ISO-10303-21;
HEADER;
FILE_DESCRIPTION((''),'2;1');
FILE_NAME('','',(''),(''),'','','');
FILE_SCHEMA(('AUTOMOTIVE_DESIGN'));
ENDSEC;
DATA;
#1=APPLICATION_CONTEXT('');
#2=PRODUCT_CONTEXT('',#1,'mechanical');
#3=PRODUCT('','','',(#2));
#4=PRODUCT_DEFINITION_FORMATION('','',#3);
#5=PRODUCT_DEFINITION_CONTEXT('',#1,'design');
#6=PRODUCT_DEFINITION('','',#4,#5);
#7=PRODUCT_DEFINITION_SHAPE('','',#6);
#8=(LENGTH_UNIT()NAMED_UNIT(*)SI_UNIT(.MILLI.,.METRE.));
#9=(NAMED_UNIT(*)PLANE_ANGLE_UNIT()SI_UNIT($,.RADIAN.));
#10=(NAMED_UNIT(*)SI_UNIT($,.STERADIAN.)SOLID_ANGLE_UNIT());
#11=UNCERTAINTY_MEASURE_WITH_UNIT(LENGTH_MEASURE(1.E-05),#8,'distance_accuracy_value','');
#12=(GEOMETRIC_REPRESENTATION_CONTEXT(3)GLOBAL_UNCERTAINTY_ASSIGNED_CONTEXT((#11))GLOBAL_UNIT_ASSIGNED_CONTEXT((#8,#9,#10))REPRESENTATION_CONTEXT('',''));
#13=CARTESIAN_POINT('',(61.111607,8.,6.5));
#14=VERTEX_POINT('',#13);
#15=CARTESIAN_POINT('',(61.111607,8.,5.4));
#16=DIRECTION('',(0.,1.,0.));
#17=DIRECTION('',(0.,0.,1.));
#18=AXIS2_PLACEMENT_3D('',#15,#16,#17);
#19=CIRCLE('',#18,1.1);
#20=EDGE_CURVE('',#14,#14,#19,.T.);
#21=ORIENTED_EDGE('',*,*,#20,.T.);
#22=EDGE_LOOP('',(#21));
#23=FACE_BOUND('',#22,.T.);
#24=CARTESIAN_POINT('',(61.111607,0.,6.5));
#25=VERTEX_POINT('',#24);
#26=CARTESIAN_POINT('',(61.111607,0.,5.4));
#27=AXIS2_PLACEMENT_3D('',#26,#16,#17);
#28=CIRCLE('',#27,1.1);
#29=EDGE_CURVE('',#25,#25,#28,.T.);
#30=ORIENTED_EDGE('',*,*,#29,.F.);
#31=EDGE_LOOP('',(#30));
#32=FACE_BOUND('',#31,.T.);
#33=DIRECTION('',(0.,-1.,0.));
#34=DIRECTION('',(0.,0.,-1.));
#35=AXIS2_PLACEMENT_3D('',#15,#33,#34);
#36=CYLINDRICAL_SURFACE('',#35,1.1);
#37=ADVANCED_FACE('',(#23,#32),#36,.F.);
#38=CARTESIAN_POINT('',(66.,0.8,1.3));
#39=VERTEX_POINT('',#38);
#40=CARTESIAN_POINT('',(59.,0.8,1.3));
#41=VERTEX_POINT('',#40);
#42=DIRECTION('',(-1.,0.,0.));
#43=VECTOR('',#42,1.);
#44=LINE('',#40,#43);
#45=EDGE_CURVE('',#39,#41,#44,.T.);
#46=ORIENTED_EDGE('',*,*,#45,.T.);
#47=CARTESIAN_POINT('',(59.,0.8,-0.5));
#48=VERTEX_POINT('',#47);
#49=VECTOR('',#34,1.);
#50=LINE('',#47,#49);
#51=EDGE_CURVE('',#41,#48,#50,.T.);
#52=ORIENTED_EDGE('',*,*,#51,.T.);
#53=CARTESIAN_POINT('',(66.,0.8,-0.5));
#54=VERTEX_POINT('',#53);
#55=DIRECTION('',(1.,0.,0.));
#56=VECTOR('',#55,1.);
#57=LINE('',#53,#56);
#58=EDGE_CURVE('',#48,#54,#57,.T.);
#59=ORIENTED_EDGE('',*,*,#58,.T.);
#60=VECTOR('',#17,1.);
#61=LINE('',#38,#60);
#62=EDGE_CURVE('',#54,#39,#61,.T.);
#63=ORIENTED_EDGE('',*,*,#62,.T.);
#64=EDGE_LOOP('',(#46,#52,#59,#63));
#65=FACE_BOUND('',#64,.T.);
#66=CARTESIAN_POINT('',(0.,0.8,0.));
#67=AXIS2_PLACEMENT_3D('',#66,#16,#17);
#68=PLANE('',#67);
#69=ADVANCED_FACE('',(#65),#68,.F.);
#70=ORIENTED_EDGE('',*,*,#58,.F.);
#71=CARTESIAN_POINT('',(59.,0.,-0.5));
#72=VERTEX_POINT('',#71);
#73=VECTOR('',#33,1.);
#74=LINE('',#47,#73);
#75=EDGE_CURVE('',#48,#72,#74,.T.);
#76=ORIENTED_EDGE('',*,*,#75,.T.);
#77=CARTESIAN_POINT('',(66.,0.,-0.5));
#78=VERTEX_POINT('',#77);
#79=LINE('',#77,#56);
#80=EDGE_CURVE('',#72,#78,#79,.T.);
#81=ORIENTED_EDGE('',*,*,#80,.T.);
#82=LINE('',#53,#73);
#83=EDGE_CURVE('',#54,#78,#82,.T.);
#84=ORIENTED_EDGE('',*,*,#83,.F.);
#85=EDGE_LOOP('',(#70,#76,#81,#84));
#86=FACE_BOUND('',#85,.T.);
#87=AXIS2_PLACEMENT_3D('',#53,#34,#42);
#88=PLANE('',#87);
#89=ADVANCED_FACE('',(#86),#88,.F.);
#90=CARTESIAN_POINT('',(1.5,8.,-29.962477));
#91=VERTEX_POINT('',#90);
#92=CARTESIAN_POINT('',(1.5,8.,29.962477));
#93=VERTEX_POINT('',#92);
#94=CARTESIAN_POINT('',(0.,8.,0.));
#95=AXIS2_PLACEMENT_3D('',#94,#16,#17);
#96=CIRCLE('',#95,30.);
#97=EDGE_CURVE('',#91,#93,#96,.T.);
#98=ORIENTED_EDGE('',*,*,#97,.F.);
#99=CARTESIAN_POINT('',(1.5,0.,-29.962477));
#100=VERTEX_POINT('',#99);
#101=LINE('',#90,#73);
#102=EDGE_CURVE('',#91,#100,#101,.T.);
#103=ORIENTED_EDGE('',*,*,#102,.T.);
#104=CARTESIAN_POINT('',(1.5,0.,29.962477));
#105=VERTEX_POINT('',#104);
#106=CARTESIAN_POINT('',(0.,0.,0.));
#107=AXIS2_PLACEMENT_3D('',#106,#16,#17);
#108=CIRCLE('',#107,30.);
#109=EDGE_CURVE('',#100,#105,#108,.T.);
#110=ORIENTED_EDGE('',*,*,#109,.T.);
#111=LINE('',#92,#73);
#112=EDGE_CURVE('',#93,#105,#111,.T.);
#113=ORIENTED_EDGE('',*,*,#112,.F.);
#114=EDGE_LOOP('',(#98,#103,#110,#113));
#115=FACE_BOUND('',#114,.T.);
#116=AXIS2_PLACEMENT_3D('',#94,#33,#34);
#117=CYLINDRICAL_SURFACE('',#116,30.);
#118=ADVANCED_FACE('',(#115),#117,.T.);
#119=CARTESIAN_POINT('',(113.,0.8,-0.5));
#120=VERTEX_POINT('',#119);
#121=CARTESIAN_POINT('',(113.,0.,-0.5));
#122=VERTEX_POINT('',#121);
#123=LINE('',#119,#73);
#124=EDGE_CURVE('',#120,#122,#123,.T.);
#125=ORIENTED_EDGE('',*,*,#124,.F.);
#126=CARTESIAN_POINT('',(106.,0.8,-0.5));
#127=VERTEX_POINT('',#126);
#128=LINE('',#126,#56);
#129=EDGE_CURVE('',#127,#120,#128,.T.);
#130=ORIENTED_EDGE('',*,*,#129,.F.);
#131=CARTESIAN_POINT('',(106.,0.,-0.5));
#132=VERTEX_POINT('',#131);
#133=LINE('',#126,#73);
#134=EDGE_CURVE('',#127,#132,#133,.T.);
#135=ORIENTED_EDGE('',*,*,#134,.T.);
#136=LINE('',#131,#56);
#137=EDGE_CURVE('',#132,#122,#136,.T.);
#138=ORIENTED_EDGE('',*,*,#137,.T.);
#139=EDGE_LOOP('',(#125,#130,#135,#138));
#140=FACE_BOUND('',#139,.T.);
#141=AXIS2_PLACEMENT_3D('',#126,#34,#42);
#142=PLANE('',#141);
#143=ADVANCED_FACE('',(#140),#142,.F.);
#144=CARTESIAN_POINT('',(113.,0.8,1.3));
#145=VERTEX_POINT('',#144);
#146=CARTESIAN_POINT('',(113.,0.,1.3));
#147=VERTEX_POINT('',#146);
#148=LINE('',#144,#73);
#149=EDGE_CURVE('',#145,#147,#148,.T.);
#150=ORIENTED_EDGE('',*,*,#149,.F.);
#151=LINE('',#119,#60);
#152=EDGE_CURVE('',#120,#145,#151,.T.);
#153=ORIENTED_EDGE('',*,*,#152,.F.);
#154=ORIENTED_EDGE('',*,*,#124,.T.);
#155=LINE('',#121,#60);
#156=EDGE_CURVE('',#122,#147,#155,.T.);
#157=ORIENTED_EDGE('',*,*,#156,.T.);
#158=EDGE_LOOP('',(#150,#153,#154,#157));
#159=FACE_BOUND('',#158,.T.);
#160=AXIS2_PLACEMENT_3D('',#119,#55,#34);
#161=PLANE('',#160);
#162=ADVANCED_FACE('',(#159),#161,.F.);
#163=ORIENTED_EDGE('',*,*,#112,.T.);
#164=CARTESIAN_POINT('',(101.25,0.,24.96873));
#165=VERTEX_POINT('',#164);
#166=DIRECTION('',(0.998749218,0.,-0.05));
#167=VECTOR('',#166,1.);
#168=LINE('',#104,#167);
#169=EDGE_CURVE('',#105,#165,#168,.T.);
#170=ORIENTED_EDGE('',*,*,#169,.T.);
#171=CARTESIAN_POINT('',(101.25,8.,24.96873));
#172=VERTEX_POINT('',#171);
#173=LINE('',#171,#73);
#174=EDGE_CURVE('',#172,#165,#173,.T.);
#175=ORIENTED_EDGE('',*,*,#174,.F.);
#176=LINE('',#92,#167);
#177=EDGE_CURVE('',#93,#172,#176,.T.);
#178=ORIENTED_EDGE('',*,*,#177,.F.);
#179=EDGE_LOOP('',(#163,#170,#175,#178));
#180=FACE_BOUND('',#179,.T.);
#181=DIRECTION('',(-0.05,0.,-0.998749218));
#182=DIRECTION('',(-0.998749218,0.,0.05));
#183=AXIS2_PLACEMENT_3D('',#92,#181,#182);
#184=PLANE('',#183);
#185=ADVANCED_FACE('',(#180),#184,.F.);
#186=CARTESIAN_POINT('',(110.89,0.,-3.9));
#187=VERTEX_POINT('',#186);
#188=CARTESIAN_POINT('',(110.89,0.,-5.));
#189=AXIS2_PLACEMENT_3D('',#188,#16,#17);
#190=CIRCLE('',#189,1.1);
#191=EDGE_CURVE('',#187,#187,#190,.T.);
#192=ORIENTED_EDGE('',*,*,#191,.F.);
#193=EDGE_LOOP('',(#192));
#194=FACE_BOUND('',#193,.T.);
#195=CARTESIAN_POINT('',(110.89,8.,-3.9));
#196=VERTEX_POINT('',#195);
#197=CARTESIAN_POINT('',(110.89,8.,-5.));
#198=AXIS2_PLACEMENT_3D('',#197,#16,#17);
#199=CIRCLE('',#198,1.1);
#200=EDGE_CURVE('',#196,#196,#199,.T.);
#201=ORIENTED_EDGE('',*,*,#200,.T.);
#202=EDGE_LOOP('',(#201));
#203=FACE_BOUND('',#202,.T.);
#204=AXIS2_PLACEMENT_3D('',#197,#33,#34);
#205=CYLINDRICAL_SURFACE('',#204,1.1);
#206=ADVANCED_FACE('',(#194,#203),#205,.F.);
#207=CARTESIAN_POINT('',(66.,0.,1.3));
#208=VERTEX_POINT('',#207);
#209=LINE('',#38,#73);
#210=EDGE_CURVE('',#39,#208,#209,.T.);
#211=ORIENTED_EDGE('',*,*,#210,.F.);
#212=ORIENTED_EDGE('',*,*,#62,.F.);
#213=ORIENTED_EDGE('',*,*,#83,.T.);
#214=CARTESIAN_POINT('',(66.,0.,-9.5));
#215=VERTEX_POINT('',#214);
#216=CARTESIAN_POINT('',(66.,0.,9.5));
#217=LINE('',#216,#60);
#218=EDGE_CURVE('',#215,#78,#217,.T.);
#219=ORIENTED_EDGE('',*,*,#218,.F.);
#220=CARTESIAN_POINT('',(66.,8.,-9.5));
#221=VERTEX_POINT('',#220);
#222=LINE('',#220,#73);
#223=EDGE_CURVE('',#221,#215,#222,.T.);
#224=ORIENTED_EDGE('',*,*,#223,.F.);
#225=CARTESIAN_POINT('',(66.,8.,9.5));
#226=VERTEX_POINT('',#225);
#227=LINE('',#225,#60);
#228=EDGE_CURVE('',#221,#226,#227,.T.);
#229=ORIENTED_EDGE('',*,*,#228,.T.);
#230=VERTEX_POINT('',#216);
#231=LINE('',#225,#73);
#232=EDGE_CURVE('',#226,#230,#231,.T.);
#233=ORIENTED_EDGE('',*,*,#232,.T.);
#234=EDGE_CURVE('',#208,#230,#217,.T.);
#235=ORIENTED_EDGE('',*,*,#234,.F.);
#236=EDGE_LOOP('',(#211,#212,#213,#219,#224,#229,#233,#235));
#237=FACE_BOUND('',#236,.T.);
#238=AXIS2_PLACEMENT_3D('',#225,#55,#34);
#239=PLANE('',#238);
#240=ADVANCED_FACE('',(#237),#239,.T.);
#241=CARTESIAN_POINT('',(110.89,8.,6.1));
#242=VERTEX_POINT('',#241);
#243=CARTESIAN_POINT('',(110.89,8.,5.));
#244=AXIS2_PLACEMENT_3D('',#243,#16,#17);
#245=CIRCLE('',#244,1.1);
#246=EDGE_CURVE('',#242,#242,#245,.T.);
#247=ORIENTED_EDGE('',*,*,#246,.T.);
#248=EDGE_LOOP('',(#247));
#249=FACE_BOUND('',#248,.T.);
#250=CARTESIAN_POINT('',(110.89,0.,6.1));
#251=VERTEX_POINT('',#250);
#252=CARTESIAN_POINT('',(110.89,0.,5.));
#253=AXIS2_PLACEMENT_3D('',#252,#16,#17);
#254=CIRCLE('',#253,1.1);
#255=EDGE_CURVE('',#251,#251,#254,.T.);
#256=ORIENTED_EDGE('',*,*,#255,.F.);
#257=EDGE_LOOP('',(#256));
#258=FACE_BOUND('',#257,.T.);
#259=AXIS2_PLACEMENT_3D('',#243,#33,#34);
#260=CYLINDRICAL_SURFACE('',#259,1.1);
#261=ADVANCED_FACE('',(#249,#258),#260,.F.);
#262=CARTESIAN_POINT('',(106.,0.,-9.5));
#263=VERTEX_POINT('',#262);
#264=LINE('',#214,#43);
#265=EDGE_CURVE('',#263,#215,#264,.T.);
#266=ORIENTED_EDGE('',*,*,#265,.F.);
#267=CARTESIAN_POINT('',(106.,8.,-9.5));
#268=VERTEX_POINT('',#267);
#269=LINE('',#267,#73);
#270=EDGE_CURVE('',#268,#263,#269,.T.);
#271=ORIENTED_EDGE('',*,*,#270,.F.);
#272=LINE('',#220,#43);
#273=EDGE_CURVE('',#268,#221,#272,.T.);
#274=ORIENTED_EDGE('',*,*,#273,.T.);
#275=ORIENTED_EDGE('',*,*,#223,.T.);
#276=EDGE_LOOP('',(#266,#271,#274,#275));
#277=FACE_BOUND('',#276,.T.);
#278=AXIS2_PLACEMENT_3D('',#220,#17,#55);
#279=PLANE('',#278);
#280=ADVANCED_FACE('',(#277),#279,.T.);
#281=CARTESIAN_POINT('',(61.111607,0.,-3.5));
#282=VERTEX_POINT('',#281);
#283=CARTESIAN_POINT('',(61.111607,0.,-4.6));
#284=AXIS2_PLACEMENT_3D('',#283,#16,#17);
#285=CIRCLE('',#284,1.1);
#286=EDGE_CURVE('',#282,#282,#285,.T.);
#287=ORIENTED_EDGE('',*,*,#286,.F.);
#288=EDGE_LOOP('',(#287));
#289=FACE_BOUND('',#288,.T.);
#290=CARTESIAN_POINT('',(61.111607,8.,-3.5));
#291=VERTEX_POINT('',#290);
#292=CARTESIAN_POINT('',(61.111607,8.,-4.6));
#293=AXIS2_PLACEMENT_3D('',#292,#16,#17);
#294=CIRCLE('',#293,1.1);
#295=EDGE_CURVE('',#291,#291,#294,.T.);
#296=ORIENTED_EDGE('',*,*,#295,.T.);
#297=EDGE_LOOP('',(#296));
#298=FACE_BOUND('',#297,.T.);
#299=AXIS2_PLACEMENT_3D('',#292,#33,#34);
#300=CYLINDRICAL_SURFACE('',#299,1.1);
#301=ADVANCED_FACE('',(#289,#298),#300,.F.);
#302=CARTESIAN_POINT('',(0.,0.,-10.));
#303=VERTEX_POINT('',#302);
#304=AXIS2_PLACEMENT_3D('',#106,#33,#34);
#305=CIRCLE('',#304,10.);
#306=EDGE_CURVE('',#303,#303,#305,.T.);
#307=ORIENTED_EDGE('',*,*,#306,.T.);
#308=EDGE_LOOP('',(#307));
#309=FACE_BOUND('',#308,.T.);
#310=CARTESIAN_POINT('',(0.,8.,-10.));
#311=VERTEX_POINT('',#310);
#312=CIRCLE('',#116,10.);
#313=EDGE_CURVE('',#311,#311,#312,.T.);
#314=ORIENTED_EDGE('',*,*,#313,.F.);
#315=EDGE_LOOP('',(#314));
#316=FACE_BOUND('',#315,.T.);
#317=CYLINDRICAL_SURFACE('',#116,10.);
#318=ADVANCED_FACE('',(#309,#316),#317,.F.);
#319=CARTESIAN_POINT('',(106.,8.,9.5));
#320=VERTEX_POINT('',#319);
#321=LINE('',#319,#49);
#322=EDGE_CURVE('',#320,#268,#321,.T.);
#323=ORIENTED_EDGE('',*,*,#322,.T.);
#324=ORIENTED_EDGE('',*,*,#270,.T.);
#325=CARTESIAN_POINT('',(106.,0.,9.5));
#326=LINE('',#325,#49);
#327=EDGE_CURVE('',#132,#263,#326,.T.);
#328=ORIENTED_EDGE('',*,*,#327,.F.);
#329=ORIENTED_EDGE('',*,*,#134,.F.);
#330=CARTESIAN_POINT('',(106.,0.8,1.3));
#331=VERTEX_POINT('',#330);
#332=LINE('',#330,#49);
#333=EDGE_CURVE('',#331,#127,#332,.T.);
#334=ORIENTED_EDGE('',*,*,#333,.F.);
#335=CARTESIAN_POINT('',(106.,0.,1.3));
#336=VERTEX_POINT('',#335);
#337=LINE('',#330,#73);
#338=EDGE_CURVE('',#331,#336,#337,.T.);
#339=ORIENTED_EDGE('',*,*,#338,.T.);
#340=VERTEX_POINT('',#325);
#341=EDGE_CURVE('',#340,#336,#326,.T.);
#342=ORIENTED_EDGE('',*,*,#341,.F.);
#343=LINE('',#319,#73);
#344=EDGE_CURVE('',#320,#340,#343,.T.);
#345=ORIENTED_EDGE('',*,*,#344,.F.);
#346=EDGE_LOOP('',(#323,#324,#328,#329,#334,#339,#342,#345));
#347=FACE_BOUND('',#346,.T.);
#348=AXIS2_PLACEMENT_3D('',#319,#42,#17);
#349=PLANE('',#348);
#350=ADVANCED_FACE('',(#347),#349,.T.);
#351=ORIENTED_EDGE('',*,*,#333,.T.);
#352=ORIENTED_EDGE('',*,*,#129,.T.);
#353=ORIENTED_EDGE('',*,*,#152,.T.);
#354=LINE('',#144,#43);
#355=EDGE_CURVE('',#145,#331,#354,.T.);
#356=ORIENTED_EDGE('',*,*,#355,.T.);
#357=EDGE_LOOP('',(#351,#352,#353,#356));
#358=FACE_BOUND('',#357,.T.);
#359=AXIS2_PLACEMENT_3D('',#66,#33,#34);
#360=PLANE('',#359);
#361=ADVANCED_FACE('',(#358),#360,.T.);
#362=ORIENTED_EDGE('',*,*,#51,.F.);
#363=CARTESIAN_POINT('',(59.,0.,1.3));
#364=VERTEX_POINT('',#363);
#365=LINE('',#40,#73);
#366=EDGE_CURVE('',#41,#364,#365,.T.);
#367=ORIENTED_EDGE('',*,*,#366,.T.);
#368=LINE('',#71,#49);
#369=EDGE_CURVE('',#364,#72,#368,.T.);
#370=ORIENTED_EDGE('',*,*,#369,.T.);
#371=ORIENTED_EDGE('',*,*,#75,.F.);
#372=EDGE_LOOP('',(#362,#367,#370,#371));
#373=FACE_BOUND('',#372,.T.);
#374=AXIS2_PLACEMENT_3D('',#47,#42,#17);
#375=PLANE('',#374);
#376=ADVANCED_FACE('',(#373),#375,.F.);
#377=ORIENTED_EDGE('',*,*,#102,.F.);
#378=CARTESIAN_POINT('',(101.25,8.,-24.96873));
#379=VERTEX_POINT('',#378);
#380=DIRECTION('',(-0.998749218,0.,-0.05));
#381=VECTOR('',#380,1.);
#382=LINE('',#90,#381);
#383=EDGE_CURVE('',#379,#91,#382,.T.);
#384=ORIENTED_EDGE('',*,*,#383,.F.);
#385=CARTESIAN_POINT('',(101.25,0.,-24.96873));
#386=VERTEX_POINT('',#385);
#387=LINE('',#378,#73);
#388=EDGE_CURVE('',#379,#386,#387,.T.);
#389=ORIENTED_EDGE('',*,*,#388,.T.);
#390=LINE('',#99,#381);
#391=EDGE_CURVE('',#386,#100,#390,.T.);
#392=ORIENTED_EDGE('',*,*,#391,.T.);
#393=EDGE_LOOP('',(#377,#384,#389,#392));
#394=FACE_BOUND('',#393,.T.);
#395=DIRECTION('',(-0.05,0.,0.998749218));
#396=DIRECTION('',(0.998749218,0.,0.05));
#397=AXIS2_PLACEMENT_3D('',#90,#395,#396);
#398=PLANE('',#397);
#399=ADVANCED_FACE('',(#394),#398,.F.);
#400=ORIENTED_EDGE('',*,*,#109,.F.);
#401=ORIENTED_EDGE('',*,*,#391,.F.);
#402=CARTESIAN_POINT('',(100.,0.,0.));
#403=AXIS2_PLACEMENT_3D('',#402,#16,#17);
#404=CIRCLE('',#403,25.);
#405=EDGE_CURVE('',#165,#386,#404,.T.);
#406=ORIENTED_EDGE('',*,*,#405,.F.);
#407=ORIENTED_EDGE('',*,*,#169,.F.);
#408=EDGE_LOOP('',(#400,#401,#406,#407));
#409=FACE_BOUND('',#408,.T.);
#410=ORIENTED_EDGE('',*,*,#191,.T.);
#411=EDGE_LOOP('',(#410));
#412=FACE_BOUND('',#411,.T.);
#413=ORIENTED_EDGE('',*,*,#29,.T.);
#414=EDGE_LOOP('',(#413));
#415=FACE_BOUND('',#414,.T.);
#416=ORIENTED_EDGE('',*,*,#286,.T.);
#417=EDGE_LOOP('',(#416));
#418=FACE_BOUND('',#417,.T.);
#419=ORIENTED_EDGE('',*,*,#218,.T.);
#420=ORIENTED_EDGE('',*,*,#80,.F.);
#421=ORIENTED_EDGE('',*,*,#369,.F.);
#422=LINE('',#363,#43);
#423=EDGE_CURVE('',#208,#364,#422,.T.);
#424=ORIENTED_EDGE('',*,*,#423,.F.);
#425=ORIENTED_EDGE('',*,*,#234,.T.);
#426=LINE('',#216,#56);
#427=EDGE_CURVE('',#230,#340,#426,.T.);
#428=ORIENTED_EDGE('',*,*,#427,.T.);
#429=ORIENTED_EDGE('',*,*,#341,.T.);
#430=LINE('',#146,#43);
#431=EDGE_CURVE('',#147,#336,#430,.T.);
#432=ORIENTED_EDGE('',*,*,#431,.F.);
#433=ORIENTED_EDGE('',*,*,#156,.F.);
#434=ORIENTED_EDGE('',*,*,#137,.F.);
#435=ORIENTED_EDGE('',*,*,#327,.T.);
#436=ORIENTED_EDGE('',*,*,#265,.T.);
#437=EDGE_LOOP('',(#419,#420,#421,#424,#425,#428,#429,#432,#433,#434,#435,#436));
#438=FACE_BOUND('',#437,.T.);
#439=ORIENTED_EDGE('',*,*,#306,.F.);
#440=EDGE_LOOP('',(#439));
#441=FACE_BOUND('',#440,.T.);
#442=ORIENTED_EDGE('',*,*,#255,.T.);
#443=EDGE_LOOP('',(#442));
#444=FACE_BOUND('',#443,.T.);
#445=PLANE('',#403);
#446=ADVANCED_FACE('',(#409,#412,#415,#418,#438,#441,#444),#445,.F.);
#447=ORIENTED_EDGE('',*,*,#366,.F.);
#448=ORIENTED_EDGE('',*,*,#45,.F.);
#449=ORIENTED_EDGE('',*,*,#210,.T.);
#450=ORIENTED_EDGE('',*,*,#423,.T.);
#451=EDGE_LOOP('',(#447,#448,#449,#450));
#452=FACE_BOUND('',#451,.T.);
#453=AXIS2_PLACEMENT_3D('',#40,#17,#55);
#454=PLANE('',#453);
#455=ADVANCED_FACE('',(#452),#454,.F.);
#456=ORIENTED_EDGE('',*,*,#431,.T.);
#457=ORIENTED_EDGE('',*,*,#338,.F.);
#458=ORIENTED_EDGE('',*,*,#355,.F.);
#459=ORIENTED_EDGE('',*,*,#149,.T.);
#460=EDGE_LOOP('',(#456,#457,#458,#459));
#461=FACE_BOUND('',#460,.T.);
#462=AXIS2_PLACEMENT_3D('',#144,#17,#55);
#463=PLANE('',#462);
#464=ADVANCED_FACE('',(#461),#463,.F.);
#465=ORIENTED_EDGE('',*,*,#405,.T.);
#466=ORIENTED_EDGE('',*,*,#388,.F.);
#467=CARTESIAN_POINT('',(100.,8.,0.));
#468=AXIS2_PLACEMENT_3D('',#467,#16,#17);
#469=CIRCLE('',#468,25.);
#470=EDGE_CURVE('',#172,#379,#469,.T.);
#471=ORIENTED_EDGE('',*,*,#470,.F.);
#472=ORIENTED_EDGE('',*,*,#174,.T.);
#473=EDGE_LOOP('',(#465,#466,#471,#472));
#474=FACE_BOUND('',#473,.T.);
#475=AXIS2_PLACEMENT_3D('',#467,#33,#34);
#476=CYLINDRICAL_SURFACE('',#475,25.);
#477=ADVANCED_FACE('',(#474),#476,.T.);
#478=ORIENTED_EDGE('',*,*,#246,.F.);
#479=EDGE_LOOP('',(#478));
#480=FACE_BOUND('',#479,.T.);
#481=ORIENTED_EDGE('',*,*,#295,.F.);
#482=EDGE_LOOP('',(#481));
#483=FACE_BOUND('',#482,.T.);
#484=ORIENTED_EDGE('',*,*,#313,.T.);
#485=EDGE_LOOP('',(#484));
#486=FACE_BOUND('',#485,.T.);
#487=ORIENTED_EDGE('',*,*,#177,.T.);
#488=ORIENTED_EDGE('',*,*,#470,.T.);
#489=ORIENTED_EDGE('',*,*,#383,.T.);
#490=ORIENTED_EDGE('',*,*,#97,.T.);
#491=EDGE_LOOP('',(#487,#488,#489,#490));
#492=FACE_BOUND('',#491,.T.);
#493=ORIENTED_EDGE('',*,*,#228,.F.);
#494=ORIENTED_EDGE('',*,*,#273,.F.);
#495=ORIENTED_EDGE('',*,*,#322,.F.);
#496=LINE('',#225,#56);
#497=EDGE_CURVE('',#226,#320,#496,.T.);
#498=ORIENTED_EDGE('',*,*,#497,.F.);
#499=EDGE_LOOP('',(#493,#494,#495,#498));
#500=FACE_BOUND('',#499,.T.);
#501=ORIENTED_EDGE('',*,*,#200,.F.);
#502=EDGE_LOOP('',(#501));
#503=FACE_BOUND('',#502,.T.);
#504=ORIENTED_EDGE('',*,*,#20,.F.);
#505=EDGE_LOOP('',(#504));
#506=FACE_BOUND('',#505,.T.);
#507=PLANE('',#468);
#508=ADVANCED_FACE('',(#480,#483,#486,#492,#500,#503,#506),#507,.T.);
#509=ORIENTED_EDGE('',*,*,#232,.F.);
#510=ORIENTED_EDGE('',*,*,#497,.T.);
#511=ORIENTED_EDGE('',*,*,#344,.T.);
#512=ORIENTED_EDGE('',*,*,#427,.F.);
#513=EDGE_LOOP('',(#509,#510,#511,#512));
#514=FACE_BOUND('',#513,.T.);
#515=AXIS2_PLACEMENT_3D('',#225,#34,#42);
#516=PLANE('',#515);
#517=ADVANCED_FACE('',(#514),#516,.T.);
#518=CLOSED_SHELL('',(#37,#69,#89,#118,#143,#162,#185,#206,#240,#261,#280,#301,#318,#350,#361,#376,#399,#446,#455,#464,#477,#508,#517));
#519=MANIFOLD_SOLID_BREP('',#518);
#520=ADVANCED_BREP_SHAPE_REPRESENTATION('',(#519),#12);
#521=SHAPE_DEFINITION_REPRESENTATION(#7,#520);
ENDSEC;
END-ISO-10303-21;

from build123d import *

# Parameters (mm, degrees)
CROQUIS1_R              = 1.1
CROQUIS1_R_2            = 0.8
CROQUIS1_W              = 40
CROQUIS1_H              = 19
SALIENTE_EXTRUIR1_DEPTH = 8
CROQUIS3_W              = 7
CROQUIS3_H              = 1.8
CORTAR_EXTRUIR2_DEPTH   = 0.8
CROQUIS2_R              = 10
CORTAR_EXTRUIR4_DEPTH   = 129.798291914


with BuildPart() as part:
    # Croquis1 → Saliente-Extruir1 (new body)
    with BuildSketch(Plane(origin=(0, 0, 0), x_dir=(1, 0, 0), z_dir=(0, 1, 0))):
        with BuildLine():
            Line((1.5, 29.962476533), (101.25, 24.968730444))
            ThreePointArc((101.25, 24.968730444), (125, 0), (101.25, -24.968730444))
            Line((101.25, -24.968730444), (1.5, -29.962476533))
            ThreePointArc((1.5, -29.962476533), (-30, 0), (1.5, 29.962476533))
        make_face()
        with Locations(Location((110.89, 5, 0), (0, 0, 270))):
            Circle(CROQUIS1_R, mode=Mode.SUBTRACT)
        with Locations(Location((110.89, -5, 0), (0, 0, 270))):
            Circle(CROQUIS1_R, mode=Mode.SUBTRACT)
        with Locations(Location((61.111607097, -5.4, 0), (0, 0, 270))):
            Circle(CROQUIS1_R, mode=Mode.SUBTRACT)
        with Locations(Location((61.111607097, 4.6, 0), (0, 0, 270))):
            Circle(CROQUIS1_R, mode=Mode.SUBTRACT)
        with Locations(Location((7.5, 0, 0), (0, 0, 270))):
            Circle(CROQUIS1_R_2, mode=Mode.SUBTRACT)
        with Locations(Location((0, -7.5, 0), (0, 0, 270))):
            Circle(CROQUIS1_R_2, mode=Mode.SUBTRACT)
        with Locations(Location((-7.5, 0, 0), (0, 0, 270))):
            Circle(CROQUIS1_R_2, mode=Mode.SUBTRACT)
        with Locations(Location((0, 7.5, 0), (0, 0, 270))):
            Circle(CROQUIS1_R_2, mode=Mode.SUBTRACT)
        with Locations(Location((0, 0, 0), (0, 0, 270))):
            Circle(CROQUIS1_R_2, mode=Mode.SUBTRACT)
        with Locations((86, 0)):
            Rectangle(CROQUIS1_W, CROQUIS1_H, mode=Mode.SUBTRACT)
    extrude(amount=SALIENTE_EXTRUIR1_DEPTH)

    # Croquis3 → Cortar-Extruir2 (cut)
    with BuildSketch(Plane.XZ):
        with Locations((62.5, 0.4)):
            Rectangle(CROQUIS3_W, CROQUIS3_H)
        with Locations((109.5, 0.4)):
            Rectangle(CROQUIS3_W, CROQUIS3_H)
    extrude(amount=-CORTAR_EXTRUIR2_DEPTH, mode=Mode.SUBTRACT)

    # Croquis2 → Cortar-Extruir4 (cut, through all)
    with BuildSketch(Plane.XZ):
        with Locations(Location((0, 0, 0), (0, 0, 270))):
            Circle(CROQUIS2_R)
    extrude(amount=-CORTAR_EXTRUIR4_DEPTH, mode=Mode.SUBTRACT)


solid = part.part
